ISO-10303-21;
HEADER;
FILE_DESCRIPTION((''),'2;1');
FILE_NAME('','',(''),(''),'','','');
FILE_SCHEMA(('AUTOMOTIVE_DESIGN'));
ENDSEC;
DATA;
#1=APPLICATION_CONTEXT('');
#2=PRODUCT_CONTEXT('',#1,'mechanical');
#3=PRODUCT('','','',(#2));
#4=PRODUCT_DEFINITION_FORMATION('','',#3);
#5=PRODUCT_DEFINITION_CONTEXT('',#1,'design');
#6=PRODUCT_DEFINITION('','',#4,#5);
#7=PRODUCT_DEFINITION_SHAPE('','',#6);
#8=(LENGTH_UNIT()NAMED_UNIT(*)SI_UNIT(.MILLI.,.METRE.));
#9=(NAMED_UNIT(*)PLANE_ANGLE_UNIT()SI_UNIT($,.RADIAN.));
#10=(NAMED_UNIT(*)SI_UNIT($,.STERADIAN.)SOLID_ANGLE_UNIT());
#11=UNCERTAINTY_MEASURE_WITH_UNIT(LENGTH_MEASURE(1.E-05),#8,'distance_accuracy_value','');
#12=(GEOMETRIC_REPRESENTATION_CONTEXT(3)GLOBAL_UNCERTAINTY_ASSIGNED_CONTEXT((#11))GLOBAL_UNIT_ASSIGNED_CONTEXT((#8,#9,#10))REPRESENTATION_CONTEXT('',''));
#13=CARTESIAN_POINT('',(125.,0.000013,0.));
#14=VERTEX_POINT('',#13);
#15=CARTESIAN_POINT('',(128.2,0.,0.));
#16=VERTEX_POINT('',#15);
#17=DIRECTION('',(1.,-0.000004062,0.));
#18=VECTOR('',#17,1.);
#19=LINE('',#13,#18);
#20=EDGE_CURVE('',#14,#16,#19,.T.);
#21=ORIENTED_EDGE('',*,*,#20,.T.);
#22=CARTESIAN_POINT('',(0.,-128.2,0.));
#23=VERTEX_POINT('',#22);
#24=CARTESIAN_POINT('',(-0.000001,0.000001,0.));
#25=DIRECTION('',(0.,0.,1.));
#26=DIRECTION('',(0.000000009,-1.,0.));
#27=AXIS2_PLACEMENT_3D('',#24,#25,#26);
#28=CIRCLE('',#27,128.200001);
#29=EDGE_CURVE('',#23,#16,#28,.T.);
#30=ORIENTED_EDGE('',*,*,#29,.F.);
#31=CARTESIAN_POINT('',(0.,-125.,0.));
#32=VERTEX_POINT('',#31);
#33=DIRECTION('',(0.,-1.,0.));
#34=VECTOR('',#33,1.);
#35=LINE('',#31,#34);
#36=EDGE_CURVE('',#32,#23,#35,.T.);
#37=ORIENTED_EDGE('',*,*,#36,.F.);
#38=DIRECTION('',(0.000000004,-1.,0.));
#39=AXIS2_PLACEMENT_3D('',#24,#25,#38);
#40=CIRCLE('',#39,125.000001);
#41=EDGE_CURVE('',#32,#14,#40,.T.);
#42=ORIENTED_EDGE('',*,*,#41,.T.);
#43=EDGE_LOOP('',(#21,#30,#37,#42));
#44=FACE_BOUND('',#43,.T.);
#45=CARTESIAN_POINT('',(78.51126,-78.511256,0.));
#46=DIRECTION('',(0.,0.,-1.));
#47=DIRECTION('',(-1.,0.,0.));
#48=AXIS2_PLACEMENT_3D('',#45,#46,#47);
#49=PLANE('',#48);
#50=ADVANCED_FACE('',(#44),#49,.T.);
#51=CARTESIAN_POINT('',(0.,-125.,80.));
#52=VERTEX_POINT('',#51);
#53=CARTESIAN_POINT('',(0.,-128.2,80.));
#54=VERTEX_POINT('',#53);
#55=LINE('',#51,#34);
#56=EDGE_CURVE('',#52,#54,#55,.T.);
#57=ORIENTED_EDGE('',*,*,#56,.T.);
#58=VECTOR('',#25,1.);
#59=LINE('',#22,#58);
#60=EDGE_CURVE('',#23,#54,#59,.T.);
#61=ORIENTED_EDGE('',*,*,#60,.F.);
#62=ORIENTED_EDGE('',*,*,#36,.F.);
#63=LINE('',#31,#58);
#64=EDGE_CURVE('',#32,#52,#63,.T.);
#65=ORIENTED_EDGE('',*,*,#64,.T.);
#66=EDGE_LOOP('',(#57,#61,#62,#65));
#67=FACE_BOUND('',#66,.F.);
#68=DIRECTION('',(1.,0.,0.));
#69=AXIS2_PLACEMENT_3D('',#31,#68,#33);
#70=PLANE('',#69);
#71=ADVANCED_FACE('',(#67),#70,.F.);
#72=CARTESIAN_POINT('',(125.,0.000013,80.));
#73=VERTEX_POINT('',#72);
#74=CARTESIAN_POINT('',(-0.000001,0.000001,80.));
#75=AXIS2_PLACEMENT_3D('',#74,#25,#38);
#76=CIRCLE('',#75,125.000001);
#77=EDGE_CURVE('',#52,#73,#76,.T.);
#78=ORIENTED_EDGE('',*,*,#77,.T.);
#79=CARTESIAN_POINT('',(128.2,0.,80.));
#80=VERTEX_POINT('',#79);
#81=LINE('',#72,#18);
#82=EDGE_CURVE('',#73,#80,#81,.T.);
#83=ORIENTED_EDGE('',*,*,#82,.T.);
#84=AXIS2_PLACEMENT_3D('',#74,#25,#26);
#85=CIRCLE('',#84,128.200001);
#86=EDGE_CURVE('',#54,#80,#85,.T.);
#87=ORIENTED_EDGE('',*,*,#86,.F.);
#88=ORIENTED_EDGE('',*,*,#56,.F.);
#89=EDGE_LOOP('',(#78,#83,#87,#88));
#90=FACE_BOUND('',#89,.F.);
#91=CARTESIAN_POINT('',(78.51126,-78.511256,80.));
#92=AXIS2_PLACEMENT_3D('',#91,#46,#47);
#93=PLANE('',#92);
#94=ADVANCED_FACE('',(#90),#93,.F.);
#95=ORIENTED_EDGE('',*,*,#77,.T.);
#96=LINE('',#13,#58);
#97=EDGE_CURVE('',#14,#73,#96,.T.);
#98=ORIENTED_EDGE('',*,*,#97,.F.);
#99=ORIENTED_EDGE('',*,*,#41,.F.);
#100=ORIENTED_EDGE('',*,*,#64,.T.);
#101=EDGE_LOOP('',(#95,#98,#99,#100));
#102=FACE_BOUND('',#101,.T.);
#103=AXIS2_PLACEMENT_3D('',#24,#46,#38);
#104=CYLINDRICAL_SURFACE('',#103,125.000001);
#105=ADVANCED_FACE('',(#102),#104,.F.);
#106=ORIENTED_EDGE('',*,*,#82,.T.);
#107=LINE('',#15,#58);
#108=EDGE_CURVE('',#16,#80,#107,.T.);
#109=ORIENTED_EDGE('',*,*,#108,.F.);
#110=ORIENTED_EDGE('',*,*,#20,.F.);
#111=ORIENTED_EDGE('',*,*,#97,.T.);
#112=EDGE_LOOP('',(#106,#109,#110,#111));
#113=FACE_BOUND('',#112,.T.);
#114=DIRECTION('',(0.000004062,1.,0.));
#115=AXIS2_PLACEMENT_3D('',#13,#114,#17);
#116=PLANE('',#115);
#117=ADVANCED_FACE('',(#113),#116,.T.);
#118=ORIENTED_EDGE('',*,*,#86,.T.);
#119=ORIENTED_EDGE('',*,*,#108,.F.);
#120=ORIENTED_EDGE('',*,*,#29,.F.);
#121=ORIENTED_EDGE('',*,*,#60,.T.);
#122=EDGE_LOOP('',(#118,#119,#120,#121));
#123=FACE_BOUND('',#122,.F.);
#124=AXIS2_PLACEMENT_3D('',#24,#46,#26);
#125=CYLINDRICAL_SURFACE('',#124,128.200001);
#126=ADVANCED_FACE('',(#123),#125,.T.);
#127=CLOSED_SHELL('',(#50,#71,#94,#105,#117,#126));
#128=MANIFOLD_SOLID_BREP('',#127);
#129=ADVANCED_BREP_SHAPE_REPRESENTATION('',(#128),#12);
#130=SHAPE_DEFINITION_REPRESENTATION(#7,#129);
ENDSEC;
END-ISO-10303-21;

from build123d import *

# Parameters (mm, degrees)
PAD_DEPTH = 80


with BuildPart() as part:
    # Sketch → Pad (new body)
    with BuildSketch(Plane.XY):
        with BuildLine():
            ThreePointArc((0, -125), (88.388352, -88.388343), (125, 1.3e-05))
            Line((125, 1.3e-05), (128.2, 0))
            ThreePointArc((0, -128.2), (90.651089, -90.651089), (128.2, 0))
            Line((0, -125), (0, -128.2))
        make_face()
    extrude(amount=PAD_DEPTH)


solid = part.part
